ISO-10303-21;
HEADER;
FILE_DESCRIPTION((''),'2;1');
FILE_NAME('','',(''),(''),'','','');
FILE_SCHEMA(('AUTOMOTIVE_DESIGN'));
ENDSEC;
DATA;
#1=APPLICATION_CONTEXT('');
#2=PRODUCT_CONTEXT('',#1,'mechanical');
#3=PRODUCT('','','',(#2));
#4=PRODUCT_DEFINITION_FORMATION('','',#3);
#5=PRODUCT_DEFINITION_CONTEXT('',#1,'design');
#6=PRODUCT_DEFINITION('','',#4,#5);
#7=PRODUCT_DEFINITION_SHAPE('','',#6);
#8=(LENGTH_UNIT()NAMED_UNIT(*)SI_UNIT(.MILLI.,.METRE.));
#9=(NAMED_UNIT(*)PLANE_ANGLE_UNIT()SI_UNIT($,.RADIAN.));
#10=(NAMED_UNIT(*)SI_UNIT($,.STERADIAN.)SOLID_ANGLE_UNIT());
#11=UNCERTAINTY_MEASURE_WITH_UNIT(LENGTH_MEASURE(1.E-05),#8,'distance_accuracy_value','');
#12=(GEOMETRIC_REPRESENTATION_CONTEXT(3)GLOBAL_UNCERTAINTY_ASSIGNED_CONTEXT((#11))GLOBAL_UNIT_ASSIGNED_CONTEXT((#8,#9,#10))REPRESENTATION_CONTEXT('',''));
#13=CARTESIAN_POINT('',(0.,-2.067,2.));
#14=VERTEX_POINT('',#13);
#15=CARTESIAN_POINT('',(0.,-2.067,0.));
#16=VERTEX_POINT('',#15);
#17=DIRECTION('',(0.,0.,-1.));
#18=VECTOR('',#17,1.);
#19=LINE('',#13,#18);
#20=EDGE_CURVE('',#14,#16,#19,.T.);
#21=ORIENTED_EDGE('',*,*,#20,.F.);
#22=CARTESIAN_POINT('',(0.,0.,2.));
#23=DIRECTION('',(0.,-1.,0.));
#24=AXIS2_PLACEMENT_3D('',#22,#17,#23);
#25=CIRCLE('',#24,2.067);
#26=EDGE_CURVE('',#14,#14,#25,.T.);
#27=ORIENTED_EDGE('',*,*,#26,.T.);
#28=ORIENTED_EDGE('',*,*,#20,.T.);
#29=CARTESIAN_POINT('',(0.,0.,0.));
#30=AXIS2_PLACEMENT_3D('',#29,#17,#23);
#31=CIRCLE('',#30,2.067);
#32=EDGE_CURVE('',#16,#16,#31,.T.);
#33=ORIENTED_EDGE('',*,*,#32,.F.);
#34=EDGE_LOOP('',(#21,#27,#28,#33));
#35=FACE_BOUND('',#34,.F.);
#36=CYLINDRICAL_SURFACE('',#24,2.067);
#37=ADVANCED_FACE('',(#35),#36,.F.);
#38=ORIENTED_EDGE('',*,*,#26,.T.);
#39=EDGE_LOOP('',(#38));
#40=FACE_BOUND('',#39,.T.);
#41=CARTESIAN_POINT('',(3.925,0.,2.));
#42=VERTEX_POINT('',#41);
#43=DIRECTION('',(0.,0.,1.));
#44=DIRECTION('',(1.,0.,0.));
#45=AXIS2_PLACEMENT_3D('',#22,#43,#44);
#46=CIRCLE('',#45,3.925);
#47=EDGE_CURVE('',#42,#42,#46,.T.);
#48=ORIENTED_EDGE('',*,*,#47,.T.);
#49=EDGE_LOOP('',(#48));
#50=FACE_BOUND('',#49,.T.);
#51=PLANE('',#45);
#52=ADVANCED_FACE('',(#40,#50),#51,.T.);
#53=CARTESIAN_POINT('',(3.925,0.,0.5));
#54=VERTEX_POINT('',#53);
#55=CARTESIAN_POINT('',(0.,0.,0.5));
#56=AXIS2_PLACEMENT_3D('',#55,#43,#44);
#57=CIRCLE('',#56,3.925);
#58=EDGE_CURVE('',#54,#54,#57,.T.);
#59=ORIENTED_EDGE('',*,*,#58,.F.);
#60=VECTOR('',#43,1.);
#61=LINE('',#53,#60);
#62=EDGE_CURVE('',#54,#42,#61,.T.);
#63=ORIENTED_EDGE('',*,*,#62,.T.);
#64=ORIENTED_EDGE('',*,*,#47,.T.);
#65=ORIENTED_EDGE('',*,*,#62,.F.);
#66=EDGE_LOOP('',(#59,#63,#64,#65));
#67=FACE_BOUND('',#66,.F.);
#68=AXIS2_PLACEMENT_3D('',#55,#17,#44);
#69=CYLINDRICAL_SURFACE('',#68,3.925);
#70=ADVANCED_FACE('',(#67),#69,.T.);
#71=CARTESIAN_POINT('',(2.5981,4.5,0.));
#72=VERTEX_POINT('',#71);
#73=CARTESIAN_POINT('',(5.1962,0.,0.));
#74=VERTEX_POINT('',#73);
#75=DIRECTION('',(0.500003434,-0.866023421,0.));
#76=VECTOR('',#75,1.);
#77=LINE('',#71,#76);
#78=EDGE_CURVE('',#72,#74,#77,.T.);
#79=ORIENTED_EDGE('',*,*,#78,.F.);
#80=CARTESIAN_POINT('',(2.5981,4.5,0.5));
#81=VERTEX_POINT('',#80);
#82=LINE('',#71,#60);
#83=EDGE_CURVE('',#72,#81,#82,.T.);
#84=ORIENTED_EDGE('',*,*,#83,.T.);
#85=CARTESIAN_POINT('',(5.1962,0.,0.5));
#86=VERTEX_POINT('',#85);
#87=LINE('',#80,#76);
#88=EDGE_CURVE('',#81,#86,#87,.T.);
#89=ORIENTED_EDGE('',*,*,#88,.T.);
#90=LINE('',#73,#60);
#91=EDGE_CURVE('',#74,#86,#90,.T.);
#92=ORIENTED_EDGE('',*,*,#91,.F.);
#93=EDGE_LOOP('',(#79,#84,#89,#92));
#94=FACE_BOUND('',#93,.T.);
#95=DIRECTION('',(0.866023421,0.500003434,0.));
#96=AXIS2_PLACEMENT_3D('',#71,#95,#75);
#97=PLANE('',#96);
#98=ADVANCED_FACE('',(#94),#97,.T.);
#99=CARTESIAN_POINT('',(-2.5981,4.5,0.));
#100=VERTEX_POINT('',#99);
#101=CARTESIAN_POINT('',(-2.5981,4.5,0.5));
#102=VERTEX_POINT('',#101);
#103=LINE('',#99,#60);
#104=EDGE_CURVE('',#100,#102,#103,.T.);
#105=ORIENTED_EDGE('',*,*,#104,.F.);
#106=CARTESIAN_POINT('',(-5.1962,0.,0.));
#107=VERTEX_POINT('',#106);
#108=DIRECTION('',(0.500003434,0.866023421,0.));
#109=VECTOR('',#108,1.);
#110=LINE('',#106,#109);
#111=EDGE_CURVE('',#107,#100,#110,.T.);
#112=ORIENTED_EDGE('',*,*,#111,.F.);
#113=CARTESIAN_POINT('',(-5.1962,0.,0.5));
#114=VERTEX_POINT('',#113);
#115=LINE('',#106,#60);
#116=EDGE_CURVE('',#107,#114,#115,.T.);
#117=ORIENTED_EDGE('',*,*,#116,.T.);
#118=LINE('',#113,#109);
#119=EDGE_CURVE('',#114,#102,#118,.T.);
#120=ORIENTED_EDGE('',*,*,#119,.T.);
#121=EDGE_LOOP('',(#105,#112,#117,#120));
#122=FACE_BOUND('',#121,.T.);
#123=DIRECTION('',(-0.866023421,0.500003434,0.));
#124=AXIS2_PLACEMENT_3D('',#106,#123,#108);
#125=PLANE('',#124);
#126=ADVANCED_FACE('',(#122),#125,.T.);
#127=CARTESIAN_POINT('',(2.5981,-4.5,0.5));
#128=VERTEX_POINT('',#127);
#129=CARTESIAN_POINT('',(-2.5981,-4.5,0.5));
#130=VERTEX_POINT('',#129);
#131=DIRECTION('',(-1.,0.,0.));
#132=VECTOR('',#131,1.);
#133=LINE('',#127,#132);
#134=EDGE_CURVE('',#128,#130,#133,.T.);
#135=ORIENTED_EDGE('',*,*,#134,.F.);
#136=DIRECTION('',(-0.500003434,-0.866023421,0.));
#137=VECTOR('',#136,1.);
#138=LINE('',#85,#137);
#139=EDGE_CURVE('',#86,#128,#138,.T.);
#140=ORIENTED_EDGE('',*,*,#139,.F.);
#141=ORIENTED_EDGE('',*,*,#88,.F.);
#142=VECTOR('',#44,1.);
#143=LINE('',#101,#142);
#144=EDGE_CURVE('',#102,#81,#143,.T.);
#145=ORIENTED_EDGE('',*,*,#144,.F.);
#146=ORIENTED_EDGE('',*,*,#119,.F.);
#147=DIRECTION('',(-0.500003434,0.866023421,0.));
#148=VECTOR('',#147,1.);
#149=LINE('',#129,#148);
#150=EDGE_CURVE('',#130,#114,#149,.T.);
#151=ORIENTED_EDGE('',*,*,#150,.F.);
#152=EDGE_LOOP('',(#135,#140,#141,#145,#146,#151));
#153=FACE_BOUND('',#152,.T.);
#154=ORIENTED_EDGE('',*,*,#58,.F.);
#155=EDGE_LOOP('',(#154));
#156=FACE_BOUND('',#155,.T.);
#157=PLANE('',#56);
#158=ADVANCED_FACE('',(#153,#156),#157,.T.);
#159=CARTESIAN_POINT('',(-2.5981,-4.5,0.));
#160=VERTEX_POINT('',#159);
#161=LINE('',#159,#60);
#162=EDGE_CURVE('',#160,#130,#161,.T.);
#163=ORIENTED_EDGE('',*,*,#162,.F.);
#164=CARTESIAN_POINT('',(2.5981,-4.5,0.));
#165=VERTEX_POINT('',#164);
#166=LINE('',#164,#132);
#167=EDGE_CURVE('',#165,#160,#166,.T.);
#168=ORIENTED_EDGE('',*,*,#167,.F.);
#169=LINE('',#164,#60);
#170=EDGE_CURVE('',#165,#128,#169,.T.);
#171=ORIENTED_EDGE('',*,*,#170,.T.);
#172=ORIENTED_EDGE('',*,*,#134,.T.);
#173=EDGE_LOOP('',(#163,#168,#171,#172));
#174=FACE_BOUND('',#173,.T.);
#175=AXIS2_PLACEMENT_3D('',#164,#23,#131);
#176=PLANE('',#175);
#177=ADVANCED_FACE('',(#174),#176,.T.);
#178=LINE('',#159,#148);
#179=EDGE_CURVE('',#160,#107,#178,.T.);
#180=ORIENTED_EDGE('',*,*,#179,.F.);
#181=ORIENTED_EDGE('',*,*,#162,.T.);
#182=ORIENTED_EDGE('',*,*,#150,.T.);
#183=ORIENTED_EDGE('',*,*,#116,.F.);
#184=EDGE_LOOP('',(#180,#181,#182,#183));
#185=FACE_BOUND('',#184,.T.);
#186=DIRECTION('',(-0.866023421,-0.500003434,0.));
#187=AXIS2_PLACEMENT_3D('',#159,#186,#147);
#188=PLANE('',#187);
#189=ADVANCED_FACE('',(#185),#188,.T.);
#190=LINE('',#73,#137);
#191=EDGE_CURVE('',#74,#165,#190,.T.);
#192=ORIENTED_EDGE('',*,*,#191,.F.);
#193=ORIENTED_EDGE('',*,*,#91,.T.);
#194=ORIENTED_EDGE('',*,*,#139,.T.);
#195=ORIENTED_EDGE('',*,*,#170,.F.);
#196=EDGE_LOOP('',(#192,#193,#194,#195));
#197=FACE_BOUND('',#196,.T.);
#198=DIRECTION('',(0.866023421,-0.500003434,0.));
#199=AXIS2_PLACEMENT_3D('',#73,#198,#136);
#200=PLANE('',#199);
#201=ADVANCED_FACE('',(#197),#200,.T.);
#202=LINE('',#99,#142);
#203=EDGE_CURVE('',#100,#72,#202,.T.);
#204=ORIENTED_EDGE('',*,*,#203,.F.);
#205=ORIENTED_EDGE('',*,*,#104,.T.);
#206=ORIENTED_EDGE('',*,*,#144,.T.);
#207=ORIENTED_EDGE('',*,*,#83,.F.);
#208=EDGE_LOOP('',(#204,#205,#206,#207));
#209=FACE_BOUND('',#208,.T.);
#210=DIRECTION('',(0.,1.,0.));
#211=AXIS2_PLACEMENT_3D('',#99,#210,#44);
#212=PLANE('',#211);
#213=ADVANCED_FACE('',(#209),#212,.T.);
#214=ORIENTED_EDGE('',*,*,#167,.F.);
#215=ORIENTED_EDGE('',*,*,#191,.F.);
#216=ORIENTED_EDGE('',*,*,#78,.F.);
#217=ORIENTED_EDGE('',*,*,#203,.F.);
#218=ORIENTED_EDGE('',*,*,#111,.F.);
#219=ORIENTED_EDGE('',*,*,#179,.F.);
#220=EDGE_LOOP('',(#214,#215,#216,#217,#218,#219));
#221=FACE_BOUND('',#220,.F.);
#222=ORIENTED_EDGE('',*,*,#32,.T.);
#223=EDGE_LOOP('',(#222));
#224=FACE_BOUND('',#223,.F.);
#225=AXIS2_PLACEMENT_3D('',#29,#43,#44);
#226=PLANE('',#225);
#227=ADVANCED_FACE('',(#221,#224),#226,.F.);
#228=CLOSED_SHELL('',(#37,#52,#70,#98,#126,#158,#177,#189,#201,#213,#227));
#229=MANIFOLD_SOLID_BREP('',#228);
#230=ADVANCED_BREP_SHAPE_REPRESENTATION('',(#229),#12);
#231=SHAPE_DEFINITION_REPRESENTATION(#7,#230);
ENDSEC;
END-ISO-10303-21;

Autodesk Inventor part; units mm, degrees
ref_plane "YZ Plane" through (0, 0, 0) normal (1, 0, 0) x (0, 1, 0)
ref_plane "XZ Plane" through (0, 0, 0) normal (0, 1, 0) x (-1, 0, 0)
ref_plane "XY Plane" through (0, 0, 0) normal (0, 0, 1) x (1, 0, 0)
sketch "スケッチ1" plane through (0, 0, 0) normal (0, 0, 1) x (1, 0, 0)
  line L0 (5.1962, 0) -> (2.5981, -4.5)
  line L1 (2.5981, -4.5) -> (-2.5981, -4.5)
  line L2 (-2.5981, -4.5) -> (-5.1962, 0)
  line L3 (-5.1962, 0) -> (-2.5981, 4.5)
  line L4 (-2.5981, 4.5) -> (2.5981, 4.5)
  line L5 (2.5981, 4.5) -> (5.1962, 0)
  point P0 (0, 0)
  point P1 (0, 0)
  dimension "d0" = 9
extrude "押し出し1" add sketch "スケッチ1" along normal blind 0.5
sketch "スケッチ2" plane through (0, 0, 0.5) normal (0, 0, 1) x (1, 0, 0)
  circle A0 centre (0, 0) radius 3.925
  dimension "d3" = 7.85
extrude "押し出し2" add sketch "スケッチ2" along normal blind 1.5
sketch "スケッチ3" plane through (0, 0, 2) normal (0, 0, 1) x (1, 0, 0)
  point P0 (0, 0)
hole "穴1" at (0, 0, 2) direction (0, 0, -1) diameter 4.134 depth 2 thread size "M5x0.8" class "6H" standard "ISO Metric profile"
properties part number "TF-M5-2"
